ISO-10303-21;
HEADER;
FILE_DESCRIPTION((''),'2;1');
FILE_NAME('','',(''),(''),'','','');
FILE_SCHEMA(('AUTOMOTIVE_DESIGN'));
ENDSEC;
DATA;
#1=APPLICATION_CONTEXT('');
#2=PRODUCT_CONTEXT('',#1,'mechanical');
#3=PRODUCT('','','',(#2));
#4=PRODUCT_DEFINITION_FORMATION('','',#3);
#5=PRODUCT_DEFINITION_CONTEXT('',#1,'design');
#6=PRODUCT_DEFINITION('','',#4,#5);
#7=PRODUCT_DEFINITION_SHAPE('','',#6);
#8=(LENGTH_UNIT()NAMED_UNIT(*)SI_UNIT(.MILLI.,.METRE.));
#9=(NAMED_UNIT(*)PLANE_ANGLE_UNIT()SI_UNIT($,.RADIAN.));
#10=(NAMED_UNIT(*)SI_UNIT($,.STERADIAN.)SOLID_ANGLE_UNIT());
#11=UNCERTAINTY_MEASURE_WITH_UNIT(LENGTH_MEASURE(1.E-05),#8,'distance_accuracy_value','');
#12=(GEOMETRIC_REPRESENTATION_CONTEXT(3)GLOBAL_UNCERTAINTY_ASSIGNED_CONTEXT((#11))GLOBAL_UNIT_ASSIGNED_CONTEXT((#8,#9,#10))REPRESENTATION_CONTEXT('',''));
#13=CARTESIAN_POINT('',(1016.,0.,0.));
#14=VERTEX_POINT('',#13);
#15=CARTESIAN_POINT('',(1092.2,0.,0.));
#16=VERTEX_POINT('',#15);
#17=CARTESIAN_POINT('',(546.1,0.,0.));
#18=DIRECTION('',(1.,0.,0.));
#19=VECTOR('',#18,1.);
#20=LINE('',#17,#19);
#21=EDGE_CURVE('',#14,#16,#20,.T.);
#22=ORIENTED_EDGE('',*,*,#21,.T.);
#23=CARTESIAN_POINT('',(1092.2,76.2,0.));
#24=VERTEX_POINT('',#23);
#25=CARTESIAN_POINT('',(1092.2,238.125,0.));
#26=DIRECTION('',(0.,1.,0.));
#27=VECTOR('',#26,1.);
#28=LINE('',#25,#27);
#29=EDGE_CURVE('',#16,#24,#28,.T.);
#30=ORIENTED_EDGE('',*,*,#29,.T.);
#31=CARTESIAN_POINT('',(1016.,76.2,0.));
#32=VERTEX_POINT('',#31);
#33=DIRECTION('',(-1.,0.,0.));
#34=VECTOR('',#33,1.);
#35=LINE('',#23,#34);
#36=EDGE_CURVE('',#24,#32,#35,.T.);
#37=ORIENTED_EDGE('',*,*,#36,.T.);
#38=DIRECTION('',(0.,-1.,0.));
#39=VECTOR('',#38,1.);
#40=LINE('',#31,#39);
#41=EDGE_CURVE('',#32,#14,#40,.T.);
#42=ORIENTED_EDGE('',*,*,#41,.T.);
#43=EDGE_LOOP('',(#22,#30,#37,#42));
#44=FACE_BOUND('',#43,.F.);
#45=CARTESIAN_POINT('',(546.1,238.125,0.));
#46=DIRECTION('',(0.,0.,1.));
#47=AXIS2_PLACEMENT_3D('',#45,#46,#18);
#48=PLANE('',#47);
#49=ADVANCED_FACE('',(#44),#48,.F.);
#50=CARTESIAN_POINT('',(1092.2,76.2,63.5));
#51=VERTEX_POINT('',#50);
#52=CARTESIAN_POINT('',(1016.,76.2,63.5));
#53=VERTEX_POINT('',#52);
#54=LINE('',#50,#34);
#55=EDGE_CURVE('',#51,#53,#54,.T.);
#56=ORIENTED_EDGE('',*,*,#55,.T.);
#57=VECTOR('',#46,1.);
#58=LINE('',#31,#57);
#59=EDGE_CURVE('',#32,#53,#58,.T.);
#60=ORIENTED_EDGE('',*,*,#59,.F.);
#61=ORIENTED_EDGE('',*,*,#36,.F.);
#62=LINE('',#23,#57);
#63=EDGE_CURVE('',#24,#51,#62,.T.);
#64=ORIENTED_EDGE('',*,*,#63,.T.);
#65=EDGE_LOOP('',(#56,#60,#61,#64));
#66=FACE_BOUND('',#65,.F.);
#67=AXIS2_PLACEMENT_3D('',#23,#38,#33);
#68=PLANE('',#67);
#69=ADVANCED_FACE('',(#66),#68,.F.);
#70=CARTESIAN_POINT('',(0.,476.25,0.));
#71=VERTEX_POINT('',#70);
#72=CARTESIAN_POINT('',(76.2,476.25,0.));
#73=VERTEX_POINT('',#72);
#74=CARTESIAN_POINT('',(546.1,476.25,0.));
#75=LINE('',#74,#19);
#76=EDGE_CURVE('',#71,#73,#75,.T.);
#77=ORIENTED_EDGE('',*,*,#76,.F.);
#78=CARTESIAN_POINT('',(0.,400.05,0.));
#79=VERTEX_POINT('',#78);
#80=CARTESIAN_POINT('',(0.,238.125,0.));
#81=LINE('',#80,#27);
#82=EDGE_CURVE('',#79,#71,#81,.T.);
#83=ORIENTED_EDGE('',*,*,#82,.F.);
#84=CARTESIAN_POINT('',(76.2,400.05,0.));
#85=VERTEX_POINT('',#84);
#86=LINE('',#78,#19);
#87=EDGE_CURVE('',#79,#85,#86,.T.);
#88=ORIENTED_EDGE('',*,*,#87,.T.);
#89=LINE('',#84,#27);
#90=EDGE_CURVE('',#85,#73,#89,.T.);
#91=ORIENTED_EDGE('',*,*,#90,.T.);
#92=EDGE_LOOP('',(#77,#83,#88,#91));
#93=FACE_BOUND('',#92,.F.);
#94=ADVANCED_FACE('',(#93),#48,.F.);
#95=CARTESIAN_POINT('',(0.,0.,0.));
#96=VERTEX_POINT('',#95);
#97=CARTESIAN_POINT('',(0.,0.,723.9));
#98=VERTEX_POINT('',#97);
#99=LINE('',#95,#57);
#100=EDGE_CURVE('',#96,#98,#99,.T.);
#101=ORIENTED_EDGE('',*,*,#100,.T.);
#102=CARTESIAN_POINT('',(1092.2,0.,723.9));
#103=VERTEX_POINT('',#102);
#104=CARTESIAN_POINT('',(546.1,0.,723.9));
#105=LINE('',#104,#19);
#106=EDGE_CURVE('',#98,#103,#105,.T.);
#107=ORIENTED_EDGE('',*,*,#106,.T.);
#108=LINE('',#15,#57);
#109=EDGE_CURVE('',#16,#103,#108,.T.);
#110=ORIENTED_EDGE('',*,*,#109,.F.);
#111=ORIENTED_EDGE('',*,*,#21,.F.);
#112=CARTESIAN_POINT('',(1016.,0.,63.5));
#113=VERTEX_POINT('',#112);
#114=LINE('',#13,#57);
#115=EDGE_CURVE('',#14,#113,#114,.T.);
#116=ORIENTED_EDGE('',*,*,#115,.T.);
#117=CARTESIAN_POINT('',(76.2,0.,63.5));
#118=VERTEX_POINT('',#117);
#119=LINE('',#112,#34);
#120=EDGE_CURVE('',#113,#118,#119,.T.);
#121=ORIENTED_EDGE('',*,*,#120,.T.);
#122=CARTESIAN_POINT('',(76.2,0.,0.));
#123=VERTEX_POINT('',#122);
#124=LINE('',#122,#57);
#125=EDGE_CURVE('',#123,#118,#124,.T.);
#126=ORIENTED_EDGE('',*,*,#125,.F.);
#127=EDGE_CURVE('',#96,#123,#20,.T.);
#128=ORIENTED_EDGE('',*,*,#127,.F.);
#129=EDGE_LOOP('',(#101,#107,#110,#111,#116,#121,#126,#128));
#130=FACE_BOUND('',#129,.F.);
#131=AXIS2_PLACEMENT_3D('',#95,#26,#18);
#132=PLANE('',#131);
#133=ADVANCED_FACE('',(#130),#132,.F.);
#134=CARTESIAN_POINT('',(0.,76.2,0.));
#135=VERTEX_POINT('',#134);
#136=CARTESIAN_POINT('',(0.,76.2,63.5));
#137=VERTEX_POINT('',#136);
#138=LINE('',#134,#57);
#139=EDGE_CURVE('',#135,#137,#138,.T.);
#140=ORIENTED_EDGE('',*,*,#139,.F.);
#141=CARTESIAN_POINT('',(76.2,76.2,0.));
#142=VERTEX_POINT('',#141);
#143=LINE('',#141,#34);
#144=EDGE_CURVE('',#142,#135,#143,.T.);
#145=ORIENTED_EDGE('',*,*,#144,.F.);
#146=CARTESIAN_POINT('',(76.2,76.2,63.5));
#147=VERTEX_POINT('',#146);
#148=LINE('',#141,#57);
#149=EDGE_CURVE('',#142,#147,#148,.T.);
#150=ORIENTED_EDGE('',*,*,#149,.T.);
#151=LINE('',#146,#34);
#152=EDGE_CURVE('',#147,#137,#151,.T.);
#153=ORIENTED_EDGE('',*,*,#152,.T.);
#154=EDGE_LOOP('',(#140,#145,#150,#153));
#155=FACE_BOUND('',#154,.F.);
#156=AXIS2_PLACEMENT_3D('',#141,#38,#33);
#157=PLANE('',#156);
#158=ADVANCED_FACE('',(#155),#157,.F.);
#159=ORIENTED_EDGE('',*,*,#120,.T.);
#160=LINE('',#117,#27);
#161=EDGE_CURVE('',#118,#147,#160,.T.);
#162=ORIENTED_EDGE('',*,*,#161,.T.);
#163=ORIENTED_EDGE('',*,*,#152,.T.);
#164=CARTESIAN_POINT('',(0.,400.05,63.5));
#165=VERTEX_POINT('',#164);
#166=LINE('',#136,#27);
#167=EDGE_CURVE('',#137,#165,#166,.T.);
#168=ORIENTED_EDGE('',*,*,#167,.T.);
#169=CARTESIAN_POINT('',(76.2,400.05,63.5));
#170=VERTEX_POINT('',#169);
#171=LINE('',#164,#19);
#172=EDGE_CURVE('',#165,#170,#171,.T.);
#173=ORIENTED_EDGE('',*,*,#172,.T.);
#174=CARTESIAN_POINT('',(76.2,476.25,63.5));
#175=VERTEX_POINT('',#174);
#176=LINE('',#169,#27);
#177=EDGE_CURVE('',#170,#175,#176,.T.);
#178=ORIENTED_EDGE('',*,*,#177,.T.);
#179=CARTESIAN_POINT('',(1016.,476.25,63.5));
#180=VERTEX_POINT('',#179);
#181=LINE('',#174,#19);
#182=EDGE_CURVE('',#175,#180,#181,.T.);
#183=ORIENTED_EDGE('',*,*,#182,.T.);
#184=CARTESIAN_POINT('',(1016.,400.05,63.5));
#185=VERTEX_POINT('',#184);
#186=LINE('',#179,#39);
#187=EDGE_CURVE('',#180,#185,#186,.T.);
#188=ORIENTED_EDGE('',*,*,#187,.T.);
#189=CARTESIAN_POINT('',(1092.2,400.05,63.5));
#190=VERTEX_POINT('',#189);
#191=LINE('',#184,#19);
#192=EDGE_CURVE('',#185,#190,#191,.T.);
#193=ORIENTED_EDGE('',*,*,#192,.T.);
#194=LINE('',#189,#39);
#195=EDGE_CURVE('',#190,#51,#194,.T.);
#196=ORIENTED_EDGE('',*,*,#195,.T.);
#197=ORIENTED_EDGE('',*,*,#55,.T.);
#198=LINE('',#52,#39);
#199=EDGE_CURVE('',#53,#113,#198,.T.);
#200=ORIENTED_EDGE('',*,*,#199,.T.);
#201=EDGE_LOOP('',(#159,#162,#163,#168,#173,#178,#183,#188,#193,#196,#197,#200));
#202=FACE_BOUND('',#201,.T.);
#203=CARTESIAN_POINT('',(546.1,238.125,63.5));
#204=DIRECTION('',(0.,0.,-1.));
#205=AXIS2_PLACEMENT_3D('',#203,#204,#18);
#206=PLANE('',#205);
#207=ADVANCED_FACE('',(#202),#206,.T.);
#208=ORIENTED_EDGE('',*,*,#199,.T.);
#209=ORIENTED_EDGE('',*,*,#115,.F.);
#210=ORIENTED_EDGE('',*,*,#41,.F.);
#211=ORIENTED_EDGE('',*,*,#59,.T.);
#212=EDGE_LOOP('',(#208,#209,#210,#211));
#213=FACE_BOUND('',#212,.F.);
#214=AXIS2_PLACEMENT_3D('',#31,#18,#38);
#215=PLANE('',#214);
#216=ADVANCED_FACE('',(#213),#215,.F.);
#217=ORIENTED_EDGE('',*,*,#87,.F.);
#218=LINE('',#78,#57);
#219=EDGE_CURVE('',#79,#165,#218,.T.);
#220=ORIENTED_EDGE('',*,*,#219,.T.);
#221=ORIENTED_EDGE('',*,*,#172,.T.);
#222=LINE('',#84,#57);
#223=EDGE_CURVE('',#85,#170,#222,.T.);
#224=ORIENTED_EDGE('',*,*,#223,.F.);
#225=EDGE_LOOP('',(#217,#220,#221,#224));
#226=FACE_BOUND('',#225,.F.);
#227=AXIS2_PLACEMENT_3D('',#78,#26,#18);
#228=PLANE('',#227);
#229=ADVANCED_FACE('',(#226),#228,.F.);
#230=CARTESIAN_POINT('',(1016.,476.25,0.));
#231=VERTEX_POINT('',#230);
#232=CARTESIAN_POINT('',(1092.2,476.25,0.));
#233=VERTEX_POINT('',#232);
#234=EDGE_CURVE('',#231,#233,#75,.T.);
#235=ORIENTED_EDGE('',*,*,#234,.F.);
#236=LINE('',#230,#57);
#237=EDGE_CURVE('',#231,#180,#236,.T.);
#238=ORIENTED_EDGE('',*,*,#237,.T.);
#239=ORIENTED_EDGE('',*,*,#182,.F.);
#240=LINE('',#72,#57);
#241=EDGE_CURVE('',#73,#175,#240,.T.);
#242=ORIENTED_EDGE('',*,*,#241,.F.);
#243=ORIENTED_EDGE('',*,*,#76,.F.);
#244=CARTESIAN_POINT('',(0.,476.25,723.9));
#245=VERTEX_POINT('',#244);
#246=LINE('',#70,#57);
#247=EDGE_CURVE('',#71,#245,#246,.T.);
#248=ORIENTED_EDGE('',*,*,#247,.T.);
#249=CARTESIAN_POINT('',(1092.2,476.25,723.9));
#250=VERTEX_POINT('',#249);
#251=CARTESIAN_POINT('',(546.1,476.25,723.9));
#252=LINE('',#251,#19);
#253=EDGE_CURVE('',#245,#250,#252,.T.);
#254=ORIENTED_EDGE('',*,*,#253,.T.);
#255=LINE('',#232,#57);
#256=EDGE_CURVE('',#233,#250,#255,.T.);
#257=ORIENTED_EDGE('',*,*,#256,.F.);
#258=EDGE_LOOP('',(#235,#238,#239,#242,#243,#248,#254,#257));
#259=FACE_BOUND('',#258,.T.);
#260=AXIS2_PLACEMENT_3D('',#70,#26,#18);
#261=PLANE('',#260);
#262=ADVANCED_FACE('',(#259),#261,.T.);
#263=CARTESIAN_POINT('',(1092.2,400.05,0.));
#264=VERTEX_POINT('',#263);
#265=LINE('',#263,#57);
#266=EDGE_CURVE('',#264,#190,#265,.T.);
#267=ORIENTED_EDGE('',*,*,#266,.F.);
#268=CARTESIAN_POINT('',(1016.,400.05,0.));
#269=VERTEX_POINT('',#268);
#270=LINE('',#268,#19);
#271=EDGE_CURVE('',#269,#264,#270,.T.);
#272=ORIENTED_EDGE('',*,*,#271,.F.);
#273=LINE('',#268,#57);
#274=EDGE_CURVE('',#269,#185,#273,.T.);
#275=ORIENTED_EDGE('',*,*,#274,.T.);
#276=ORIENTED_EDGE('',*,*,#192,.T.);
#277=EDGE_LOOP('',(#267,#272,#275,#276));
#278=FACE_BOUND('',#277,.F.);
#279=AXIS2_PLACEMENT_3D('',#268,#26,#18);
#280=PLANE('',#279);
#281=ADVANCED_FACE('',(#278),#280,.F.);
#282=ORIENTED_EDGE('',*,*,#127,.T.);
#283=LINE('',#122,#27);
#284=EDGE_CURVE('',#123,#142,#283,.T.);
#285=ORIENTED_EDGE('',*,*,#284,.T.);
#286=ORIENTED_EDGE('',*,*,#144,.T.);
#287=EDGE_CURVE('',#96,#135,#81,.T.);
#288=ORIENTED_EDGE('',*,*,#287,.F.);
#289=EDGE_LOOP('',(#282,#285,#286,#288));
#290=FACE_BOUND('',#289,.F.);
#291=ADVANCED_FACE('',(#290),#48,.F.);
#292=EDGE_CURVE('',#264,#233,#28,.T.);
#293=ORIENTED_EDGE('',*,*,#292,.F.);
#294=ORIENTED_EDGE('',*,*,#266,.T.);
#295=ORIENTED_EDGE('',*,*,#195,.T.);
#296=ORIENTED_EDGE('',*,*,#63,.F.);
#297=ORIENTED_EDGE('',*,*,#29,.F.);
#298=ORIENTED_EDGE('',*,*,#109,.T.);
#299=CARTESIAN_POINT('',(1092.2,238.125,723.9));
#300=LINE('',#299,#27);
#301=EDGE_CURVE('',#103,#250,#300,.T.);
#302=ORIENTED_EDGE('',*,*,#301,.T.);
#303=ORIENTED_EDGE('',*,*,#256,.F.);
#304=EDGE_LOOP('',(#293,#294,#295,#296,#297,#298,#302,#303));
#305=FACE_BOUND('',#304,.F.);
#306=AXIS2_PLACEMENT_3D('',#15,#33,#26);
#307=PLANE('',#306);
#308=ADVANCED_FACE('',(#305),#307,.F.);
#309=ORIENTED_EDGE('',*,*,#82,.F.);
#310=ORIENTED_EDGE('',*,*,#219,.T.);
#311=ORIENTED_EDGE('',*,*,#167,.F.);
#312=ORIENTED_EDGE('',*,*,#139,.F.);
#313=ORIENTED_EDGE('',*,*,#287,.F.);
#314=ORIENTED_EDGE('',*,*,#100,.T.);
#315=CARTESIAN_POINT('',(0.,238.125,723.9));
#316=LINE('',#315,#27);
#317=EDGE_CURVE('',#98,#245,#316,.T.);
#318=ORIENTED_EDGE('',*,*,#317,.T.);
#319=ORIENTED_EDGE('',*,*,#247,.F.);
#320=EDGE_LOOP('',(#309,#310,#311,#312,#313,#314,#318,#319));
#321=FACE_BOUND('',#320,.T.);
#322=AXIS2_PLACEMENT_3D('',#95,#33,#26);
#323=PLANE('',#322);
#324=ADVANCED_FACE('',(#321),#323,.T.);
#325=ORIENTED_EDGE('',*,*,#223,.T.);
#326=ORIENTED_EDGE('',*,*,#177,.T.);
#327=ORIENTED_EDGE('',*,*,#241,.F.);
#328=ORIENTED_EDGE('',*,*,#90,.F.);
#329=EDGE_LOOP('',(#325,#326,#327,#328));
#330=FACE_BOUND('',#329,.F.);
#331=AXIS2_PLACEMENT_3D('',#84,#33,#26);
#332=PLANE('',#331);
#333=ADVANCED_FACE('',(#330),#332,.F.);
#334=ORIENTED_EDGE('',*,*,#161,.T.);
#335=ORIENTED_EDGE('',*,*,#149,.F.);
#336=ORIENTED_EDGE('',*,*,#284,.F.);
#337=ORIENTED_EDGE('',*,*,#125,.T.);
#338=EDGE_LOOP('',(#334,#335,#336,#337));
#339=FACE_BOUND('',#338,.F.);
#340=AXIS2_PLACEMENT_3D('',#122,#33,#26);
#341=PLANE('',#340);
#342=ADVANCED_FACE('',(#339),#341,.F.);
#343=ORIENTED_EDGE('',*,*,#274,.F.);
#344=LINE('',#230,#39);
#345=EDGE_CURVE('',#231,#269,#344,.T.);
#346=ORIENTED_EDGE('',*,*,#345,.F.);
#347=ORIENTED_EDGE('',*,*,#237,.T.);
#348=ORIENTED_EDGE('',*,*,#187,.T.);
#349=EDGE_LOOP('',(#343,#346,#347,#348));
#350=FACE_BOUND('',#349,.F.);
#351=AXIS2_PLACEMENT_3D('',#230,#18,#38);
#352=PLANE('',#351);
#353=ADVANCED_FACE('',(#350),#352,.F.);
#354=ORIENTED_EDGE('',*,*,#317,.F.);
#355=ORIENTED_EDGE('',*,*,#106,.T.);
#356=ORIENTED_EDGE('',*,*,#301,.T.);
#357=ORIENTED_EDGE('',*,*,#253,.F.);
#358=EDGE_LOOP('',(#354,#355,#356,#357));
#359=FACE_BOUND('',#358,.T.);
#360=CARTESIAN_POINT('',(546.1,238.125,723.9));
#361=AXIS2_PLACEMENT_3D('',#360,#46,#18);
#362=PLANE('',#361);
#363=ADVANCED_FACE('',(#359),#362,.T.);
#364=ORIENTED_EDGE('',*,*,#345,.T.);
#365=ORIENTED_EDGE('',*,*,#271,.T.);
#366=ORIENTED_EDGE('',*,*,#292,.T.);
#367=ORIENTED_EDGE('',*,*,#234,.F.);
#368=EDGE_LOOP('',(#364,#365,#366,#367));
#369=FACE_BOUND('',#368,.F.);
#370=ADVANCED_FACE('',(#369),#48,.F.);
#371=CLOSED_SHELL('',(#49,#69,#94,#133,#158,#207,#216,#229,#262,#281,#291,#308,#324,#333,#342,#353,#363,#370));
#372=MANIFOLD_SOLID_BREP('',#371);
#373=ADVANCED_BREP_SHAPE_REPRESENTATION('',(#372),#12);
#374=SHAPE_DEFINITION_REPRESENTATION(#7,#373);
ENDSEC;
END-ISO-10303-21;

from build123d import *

# Parameters (mm, degrees)
F0_W     = 1092.2
F0_H     = 476.25
F1_DEPTH = 723.9
F3_DEPTH = 63.5


with BuildPart() as f1:
    # F0 (on Top) → F1 (new body)
    with BuildSketch(Plane.XY):
        with Locations((546.1, 238.125)):
            Rectangle(F0_W, F0_H)
    extrude(amount=F1_DEPTH)

    # F2 (on face) → F3 (cut)
    with BuildSketch(Plane(origin=(0, 0, 0), x_dir=(1, 0, 0), z_dir=(0, 0, -1))):
        Polygon((76.2, -76.2), (0, -76.2), (0, -400.05), (76.2, -400.05), (76.2, -476.25), (1016, -476.25), (1016, -400.05), (1092.2, -400.05), (1092.2, -76.2), (1016, -76.2), (1016, 0), (76.2, 0), align=None)
    extrude(amount=-F3_DEPTH, mode=Mode.SUBTRACT)


solid = f1.part
